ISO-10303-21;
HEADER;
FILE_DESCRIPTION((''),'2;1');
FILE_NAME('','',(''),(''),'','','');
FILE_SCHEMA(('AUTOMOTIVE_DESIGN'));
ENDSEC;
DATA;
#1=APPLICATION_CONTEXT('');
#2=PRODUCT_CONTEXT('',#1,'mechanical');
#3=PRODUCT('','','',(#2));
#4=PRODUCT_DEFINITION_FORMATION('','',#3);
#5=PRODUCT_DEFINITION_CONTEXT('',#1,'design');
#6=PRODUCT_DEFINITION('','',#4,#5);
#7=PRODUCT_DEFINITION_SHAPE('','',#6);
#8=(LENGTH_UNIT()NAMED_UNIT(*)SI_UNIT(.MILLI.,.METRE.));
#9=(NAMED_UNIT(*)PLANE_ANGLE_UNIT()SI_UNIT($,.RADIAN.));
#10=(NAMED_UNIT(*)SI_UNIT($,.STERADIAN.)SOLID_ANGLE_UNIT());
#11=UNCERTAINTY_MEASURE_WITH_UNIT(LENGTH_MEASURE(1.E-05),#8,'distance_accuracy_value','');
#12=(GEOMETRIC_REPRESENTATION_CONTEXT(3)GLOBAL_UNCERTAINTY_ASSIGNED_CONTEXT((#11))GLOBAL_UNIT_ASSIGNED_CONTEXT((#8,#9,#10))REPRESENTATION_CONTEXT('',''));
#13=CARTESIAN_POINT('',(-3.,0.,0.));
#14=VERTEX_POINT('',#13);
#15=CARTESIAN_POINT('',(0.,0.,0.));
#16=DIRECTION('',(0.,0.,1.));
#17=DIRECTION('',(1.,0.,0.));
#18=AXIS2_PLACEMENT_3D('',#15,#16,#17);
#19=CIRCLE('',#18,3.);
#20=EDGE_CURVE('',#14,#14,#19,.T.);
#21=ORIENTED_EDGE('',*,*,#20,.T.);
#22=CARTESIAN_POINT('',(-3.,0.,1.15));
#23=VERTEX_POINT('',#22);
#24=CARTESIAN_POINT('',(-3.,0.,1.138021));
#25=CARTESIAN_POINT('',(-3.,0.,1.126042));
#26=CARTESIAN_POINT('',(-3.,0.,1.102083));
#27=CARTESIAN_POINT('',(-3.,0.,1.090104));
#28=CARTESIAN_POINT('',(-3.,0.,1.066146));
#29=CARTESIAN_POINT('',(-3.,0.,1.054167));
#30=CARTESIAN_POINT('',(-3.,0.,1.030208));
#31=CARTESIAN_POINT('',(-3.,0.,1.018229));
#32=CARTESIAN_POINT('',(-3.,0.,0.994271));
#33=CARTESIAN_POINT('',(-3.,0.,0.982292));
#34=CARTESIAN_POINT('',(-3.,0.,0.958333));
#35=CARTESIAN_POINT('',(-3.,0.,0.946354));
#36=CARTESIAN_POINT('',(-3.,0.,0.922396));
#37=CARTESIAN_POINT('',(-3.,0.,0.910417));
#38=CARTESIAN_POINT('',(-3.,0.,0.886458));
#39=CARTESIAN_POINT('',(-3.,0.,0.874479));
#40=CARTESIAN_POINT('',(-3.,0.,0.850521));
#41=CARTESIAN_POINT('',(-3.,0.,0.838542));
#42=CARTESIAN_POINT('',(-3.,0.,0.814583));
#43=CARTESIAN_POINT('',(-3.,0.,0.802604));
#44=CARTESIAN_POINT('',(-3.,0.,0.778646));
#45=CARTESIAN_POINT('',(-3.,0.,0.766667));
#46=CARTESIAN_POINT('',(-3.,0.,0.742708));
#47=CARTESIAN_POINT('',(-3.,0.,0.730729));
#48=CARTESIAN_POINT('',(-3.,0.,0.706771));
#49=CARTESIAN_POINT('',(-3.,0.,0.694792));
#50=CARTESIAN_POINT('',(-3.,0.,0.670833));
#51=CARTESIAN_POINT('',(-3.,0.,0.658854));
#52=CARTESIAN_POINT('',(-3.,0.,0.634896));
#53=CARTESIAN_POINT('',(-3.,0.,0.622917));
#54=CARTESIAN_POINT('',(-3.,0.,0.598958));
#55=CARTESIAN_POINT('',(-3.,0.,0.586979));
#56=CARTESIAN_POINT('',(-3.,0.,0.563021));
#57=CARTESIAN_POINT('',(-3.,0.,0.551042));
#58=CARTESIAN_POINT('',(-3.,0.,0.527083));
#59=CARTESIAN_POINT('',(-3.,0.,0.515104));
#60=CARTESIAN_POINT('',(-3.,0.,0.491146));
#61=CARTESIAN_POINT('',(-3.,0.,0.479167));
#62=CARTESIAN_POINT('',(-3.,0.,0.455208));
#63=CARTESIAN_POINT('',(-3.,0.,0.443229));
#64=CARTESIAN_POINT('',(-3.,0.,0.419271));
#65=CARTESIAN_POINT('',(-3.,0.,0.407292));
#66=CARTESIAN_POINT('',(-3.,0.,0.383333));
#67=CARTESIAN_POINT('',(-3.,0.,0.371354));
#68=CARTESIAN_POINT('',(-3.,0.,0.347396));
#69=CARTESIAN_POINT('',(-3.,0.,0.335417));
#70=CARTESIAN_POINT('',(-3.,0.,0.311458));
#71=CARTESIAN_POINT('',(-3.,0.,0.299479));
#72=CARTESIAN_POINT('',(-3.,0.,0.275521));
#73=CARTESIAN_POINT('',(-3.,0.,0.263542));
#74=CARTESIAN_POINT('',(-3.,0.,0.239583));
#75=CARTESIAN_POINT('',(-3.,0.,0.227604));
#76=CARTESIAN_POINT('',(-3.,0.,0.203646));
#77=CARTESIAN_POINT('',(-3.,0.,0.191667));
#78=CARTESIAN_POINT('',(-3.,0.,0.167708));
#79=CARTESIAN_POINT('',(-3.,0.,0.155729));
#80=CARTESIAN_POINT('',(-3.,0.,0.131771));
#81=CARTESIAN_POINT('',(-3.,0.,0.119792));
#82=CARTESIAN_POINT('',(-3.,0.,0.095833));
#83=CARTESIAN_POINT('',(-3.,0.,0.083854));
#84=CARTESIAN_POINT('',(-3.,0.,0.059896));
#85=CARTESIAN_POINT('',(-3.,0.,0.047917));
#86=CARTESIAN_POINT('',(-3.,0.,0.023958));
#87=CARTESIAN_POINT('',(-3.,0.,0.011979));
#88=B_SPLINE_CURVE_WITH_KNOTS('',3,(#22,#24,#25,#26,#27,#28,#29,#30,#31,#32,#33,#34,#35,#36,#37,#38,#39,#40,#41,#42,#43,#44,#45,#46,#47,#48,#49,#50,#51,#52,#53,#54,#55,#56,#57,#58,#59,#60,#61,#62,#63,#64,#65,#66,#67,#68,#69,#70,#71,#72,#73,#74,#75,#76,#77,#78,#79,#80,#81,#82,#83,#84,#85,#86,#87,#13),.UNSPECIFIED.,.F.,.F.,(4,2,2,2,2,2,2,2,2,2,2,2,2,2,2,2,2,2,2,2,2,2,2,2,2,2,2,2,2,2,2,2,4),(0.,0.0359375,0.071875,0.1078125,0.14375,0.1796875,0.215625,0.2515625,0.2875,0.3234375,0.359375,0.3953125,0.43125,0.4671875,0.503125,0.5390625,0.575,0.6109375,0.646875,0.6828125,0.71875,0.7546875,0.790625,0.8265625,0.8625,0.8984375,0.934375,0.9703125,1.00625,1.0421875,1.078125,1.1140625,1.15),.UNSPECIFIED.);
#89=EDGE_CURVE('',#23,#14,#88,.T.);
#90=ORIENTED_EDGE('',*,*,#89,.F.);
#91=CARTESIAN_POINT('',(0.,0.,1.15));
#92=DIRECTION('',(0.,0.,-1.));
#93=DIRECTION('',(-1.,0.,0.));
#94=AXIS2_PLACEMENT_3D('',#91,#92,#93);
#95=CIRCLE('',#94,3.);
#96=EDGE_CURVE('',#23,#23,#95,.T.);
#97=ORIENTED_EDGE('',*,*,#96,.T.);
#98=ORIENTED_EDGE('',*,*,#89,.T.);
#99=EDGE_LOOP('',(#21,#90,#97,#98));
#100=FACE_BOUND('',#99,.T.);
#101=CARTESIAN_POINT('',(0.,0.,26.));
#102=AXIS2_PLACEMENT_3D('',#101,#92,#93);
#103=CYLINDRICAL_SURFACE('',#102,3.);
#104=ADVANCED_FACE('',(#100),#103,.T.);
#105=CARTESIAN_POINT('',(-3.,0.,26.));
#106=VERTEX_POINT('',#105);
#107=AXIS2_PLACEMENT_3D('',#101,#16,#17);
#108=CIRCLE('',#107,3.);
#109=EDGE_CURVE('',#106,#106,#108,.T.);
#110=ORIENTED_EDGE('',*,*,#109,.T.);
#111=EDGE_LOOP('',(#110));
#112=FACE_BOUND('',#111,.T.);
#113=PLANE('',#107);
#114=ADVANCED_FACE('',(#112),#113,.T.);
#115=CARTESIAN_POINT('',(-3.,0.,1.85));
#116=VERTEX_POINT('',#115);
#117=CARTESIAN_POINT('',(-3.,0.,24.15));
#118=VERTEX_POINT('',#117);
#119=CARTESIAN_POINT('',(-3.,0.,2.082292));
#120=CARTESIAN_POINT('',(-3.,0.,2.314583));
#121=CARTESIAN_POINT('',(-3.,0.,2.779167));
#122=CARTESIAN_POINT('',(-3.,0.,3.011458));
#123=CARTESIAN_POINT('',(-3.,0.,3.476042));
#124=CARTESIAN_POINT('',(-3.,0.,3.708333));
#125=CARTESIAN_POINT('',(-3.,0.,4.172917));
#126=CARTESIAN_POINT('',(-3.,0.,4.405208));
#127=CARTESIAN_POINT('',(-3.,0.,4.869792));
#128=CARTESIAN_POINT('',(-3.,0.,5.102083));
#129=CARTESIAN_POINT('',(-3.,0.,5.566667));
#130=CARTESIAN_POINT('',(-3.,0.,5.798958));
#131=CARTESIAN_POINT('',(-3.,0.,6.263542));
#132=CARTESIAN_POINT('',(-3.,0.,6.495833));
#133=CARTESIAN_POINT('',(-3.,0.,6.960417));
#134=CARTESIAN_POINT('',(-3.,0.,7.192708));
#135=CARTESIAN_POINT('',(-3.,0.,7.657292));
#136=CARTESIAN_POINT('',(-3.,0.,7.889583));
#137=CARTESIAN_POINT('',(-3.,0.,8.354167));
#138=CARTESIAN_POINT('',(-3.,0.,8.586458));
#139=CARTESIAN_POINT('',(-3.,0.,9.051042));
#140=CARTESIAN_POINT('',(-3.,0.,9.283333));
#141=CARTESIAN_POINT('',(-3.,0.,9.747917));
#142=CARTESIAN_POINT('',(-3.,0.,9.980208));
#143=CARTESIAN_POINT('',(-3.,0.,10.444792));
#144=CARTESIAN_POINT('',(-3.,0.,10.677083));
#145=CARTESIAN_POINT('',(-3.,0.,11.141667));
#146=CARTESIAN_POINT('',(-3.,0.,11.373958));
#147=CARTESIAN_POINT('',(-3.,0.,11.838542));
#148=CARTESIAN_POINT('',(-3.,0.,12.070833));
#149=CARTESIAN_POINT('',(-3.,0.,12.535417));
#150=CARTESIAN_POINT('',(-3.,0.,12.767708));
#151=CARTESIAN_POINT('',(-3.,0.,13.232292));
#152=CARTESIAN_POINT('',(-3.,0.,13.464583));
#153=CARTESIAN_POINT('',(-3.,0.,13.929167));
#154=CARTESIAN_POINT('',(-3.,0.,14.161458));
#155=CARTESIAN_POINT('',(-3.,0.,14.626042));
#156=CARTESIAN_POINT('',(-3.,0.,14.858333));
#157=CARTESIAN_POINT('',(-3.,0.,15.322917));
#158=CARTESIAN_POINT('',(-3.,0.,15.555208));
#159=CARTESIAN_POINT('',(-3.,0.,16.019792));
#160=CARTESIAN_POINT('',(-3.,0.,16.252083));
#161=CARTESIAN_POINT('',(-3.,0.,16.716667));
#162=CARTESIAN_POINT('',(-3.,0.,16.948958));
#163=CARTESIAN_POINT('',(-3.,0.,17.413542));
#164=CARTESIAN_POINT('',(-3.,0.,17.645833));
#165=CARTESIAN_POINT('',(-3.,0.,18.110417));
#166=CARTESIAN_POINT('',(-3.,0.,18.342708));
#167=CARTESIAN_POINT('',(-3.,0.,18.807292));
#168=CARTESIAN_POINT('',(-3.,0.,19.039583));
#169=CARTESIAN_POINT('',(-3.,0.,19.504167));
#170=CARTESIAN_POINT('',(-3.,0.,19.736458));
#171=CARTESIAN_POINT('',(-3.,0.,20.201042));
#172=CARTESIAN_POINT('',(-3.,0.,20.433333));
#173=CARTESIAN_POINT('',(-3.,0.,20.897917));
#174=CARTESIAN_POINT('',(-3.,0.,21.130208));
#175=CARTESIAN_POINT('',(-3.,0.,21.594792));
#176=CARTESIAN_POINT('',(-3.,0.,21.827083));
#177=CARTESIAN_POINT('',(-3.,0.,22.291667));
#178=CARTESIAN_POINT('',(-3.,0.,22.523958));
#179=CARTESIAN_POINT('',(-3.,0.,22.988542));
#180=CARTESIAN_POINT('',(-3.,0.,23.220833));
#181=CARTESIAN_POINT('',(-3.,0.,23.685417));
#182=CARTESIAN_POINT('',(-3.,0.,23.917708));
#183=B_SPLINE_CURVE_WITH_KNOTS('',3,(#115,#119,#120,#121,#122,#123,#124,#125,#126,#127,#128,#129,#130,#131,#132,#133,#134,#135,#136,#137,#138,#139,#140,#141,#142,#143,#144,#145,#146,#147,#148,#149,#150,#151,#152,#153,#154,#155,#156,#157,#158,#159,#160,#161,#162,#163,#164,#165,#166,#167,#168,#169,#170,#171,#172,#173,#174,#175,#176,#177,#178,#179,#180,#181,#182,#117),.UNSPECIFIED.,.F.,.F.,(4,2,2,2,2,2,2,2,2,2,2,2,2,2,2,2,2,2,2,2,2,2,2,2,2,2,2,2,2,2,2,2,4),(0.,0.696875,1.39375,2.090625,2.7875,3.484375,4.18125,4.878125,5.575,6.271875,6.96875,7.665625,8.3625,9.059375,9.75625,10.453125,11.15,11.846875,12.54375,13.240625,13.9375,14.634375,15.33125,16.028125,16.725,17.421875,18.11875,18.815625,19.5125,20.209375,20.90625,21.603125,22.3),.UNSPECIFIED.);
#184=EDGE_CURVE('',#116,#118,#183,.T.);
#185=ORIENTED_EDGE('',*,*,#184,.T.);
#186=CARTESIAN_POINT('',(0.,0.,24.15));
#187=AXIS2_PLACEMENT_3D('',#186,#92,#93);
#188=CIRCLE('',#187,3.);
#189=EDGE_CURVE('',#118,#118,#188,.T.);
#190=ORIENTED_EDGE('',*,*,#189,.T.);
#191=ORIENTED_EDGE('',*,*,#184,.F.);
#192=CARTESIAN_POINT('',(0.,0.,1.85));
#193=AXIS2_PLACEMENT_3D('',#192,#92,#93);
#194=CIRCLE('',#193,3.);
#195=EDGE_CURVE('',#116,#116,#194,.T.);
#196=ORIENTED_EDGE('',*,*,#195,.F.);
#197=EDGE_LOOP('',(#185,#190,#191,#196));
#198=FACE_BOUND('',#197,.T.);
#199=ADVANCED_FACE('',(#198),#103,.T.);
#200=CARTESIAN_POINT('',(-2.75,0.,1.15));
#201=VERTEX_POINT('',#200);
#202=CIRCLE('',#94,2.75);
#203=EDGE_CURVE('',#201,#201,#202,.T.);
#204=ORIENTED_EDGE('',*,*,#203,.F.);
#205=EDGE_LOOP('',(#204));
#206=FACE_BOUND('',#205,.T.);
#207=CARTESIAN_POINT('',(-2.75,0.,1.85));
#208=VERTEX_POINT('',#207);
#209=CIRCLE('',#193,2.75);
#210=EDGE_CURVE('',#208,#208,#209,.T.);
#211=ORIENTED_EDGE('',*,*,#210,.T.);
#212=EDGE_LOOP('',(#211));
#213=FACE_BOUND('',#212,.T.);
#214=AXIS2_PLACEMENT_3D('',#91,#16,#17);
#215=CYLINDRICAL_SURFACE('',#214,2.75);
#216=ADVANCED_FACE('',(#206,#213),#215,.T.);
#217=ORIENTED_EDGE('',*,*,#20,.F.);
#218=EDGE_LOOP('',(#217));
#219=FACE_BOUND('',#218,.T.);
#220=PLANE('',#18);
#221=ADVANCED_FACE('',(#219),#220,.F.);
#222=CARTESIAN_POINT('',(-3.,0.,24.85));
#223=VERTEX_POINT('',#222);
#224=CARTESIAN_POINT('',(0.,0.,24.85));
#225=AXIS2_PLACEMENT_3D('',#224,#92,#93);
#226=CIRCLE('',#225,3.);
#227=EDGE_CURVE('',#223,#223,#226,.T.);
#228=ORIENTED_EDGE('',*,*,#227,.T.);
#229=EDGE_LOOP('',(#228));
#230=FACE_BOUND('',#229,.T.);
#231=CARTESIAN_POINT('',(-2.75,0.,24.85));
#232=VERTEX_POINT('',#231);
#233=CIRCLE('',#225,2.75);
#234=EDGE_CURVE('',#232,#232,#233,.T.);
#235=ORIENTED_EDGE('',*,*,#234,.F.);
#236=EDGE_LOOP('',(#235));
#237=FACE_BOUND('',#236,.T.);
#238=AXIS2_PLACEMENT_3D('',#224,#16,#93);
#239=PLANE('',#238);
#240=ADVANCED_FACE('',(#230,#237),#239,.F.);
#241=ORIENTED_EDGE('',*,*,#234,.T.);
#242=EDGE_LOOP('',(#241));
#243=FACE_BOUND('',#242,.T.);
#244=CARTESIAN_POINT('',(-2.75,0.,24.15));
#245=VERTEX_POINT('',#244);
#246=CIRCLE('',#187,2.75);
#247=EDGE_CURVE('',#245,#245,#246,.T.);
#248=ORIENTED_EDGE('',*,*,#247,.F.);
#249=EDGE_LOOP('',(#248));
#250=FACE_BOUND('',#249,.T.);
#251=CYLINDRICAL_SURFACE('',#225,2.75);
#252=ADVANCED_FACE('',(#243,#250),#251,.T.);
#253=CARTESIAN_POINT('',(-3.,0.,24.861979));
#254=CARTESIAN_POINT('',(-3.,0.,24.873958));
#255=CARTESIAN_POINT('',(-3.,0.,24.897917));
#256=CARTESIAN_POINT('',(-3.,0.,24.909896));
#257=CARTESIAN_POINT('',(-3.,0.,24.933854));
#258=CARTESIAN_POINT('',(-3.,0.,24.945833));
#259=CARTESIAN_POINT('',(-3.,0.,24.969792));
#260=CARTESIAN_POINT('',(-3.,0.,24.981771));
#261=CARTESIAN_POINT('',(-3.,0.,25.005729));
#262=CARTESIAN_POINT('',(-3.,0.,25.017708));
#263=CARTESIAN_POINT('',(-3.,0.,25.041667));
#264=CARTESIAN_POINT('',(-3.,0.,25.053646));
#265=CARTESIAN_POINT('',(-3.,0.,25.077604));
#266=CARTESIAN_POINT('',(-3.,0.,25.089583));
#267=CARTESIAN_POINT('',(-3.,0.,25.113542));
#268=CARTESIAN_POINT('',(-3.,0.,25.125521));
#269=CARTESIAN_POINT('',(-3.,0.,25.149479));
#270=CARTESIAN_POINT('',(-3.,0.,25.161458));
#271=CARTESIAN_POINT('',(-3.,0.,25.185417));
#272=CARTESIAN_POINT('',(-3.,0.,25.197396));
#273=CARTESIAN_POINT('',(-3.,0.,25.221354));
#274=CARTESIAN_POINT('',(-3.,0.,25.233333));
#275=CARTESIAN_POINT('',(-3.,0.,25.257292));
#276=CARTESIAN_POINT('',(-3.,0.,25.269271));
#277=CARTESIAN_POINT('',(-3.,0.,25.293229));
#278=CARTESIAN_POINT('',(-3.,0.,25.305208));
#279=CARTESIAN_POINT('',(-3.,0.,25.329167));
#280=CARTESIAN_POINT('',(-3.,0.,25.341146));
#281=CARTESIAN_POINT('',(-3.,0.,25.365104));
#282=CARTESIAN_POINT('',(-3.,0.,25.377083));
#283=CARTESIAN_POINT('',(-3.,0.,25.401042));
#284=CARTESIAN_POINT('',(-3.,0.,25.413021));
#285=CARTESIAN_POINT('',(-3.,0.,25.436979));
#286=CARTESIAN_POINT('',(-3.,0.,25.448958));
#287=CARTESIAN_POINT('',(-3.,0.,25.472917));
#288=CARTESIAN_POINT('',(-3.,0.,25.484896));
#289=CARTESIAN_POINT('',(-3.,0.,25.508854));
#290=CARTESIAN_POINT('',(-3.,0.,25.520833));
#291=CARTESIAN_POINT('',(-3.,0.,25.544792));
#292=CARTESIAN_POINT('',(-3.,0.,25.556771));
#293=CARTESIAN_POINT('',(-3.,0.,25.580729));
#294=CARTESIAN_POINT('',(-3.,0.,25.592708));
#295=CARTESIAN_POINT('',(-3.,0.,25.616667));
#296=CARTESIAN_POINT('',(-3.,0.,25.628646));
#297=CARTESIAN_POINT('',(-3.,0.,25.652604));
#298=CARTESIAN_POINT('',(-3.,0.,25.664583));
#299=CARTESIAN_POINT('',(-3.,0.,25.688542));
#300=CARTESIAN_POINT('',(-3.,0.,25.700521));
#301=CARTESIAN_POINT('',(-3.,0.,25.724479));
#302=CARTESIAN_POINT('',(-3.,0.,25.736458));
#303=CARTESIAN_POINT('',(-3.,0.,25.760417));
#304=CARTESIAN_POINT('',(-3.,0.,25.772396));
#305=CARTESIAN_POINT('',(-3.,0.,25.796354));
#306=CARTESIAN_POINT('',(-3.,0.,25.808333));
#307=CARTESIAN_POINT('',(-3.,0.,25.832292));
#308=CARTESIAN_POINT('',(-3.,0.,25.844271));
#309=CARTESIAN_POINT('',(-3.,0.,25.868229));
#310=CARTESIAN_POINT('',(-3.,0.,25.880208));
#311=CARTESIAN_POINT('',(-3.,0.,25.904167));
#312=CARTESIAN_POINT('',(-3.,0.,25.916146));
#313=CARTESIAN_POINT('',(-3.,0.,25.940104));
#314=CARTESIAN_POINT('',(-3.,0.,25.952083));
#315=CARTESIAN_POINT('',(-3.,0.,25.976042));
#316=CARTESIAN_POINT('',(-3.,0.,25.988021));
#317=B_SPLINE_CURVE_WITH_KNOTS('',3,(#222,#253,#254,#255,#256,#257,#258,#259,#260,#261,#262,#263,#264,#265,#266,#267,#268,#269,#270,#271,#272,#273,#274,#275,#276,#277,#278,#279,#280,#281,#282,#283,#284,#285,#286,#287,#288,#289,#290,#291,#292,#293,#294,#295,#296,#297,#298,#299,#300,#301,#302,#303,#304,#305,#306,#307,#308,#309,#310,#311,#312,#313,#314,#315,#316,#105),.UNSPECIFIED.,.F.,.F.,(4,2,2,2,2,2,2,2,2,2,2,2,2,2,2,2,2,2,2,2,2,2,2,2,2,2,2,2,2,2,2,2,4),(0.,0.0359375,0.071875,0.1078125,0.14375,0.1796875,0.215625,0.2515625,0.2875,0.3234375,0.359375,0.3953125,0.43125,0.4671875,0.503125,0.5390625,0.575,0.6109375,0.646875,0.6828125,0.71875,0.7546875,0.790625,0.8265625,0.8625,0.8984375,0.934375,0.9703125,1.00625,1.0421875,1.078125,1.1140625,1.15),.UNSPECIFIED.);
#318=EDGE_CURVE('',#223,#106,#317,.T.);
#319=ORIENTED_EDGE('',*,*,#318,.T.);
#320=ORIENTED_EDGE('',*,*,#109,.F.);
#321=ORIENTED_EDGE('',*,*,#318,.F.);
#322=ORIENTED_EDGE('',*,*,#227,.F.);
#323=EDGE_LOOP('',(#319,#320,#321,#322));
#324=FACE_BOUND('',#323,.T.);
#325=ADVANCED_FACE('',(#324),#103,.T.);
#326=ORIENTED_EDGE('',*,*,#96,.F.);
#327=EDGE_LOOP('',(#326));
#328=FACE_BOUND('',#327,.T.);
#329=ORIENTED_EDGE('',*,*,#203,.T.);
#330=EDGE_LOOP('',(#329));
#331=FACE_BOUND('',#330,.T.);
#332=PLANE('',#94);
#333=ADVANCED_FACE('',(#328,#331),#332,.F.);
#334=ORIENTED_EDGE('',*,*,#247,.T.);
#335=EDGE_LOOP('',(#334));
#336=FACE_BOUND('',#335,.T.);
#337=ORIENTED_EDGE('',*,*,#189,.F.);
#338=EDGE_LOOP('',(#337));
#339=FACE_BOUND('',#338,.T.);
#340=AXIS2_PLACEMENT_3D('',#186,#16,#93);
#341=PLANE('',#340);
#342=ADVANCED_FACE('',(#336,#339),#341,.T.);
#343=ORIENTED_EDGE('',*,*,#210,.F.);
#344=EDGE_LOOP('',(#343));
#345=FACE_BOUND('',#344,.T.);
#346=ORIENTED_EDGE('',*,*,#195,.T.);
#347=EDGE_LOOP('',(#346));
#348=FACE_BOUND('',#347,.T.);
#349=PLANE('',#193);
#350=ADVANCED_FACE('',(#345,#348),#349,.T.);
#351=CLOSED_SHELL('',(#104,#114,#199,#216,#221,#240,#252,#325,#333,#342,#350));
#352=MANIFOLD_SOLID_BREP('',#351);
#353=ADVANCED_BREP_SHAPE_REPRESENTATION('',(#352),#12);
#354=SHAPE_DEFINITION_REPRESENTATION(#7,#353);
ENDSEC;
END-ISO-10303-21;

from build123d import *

# Parameters (mm, degrees)
SKETCH_1_R          = 3
EXTRUDE_1_DEPTH     = 26
SKETCH_2_R          = 3
SKETCH_2_R_2        = 2.75
CUT_EXTRUDE_1_DEPTH = 0.35


with BuildPart() as part:
    # 스케치1 → 보스-돌출1 (new body)
    with BuildSketch(Plane.XY):
        with Locations(Location((0, 0, 0), (0, 0, 180))):
            Circle(SKETCH_1_R)
    extrude(amount=EXTRUDE_1_DEPTH)

    # 스케치2 → 컷-돌출1 (cut, symmetric)
    with BuildSketch(Plane(origin=(0, 0, 1.5), x_dir=(-1, 0, 0), z_dir=(0, 0, -1))):
        Circle(SKETCH_2_R)
        Circle(SKETCH_2_R_2, mode=Mode.SUBTRACT)
    cut_extrude_1 = extrude(amount=CUT_EXTRUDE_1_DEPTH, both=True, mode=Mode.SUBTRACT)

    # 대칭 복사1: 컷-돌출1 across plane
    add(cut_extrude_1.mirror(Plane(origin=(0, 0, 13), x_dir=(1, 0, 0), z_dir=(0, 0, -1))), mode=Mode.SUBTRACT)


solid = part.part
